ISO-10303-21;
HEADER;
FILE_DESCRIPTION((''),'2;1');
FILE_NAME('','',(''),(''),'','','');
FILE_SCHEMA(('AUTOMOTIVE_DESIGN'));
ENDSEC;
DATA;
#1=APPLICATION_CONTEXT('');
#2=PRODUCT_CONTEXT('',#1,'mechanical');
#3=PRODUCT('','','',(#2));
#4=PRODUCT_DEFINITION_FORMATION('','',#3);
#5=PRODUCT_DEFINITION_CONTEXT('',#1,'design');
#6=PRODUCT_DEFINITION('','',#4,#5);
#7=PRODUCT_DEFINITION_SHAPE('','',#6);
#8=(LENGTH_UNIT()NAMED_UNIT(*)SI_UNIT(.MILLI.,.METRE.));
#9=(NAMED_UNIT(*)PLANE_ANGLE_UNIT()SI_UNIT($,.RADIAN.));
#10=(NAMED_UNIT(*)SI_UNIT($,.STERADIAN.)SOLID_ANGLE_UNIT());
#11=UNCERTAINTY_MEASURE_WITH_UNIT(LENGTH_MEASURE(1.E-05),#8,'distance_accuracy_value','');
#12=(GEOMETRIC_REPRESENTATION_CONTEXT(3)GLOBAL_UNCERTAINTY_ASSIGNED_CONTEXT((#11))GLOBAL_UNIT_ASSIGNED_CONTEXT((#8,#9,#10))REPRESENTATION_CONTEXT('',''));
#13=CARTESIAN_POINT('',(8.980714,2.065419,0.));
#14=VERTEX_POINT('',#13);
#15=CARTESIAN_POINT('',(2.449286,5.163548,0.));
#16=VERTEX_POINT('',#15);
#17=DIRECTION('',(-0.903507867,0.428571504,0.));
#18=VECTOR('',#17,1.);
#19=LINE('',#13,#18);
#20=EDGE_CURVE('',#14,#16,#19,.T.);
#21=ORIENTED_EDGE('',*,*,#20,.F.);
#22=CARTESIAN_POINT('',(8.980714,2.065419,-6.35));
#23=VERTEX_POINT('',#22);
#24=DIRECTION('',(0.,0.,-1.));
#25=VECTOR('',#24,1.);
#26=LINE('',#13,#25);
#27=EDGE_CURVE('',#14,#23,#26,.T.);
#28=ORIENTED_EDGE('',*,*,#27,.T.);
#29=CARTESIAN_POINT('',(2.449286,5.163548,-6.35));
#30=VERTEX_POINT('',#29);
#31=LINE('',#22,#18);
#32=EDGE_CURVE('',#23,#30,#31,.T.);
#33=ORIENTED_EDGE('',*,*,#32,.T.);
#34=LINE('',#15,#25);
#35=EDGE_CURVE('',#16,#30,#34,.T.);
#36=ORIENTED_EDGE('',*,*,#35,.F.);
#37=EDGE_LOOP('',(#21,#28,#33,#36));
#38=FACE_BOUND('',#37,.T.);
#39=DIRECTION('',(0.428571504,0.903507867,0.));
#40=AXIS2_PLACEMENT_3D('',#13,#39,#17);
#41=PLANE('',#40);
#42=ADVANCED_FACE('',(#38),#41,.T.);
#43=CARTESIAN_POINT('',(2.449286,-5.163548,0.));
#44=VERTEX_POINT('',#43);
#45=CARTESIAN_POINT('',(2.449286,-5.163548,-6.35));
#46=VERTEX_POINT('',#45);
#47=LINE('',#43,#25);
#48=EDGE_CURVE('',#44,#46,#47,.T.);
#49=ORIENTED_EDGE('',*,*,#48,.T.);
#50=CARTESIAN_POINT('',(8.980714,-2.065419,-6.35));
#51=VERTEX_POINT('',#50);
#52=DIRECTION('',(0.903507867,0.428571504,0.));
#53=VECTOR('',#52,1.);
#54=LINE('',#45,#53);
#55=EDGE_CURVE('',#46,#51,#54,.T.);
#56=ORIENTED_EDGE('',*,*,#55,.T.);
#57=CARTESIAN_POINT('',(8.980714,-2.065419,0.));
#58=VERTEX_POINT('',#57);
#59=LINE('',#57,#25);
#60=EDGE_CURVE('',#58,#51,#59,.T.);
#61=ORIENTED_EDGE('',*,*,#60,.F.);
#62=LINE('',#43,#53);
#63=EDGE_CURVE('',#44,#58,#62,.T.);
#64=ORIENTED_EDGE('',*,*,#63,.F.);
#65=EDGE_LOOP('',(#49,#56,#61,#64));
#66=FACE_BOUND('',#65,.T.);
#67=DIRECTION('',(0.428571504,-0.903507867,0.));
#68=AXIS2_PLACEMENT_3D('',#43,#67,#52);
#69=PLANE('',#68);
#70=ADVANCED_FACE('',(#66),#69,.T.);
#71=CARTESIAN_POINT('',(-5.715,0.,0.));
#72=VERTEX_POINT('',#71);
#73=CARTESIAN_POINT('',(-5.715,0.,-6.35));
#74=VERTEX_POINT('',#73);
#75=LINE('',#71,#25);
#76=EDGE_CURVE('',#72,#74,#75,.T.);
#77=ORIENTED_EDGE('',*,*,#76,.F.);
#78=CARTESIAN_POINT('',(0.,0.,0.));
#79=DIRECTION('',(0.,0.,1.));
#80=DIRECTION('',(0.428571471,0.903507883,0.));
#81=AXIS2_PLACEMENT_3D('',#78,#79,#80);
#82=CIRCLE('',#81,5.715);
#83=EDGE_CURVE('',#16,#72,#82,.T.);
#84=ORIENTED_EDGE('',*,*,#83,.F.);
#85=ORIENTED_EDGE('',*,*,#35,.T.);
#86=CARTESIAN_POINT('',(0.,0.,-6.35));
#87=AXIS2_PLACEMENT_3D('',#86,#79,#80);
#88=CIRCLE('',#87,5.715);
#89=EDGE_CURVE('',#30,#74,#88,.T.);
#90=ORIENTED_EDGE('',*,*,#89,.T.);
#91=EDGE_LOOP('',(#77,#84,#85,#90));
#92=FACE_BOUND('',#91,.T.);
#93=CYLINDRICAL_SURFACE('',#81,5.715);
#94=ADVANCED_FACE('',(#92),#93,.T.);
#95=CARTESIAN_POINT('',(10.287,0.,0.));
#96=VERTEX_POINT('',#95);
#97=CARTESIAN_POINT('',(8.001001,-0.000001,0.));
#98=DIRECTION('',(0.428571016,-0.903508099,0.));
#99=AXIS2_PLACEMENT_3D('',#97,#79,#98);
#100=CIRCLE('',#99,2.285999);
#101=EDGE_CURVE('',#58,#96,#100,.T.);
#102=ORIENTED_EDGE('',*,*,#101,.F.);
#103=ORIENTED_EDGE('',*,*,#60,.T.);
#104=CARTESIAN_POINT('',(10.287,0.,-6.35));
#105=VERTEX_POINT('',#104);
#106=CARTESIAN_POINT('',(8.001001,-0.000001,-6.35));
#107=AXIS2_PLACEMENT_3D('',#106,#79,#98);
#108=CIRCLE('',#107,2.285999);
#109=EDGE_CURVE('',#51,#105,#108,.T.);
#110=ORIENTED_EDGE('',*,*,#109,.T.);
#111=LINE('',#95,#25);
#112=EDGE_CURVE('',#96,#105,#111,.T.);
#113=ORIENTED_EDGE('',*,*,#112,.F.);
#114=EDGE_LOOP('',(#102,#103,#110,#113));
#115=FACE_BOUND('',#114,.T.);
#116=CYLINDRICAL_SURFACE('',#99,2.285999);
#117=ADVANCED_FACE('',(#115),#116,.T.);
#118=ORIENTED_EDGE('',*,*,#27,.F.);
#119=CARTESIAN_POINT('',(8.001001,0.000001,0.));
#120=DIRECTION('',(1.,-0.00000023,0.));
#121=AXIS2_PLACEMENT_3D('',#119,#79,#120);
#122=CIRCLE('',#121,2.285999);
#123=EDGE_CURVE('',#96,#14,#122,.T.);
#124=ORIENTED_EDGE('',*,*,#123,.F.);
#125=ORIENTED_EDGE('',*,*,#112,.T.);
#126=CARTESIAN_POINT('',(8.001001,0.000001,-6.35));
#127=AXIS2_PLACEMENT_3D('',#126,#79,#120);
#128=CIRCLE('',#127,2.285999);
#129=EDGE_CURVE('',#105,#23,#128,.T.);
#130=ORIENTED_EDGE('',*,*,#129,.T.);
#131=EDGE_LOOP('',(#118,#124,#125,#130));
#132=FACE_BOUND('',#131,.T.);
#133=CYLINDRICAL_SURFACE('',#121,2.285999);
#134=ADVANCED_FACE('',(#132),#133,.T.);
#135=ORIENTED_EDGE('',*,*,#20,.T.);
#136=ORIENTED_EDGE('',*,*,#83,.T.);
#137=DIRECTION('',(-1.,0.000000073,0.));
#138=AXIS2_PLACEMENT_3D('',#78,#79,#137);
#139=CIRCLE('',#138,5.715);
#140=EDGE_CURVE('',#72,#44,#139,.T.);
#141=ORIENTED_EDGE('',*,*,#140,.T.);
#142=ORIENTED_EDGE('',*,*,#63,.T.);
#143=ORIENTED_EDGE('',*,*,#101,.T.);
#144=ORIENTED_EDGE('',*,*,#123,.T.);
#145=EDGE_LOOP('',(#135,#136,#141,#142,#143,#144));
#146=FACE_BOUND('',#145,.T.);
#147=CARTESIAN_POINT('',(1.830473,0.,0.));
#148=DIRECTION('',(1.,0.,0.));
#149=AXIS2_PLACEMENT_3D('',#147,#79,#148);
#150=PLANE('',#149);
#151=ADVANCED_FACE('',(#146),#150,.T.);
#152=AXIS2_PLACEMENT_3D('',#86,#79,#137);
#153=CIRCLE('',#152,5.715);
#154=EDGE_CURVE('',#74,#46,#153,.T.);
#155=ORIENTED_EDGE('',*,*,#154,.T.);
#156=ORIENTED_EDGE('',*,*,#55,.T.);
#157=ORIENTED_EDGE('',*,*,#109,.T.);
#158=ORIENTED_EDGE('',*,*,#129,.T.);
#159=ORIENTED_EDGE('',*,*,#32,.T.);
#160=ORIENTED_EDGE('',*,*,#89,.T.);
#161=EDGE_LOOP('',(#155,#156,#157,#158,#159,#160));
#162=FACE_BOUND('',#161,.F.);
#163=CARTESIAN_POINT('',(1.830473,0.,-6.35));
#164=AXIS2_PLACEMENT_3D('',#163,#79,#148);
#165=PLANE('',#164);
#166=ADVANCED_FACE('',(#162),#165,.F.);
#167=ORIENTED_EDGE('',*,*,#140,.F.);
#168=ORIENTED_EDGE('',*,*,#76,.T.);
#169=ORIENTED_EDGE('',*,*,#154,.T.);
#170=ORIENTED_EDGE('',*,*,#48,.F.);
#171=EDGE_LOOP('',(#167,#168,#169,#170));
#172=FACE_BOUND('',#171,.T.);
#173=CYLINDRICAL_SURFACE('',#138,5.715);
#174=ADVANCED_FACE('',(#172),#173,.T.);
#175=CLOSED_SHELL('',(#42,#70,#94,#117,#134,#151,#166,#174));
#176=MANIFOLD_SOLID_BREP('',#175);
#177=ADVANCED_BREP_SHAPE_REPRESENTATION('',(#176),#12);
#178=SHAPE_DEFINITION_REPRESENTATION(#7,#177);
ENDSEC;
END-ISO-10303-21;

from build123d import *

# Parameters (mm, degrees)
F1_DEPTH = 6.35


with BuildPart() as f1:
    # F0 (on Top) → F1 (new body)
    with BuildSketch(Plane.XY):
        with BuildLine():
            Line((8.980714, 2.065419), (2.449286, 5.163548))
            ThreePointArc((2.449286, 5.163548), (-3.054796, 4.830057), (-5.715, 0))
            ThreePointArc((-5.715, 0), (-3.054796, -4.830057), (2.449286, -5.163548))
            Line((2.449286, -5.163548), (8.980714, -2.065419))
            ThreePointArc((8.980714, -2.065419), (9.933023, -1.221918), (10.287, 0))
            ThreePointArc((10.287, 0), (9.933023, 1.221918), (8.980714, 2.065419))
        make_face()
    extrude(amount=-F1_DEPTH)


solid = f1.part
